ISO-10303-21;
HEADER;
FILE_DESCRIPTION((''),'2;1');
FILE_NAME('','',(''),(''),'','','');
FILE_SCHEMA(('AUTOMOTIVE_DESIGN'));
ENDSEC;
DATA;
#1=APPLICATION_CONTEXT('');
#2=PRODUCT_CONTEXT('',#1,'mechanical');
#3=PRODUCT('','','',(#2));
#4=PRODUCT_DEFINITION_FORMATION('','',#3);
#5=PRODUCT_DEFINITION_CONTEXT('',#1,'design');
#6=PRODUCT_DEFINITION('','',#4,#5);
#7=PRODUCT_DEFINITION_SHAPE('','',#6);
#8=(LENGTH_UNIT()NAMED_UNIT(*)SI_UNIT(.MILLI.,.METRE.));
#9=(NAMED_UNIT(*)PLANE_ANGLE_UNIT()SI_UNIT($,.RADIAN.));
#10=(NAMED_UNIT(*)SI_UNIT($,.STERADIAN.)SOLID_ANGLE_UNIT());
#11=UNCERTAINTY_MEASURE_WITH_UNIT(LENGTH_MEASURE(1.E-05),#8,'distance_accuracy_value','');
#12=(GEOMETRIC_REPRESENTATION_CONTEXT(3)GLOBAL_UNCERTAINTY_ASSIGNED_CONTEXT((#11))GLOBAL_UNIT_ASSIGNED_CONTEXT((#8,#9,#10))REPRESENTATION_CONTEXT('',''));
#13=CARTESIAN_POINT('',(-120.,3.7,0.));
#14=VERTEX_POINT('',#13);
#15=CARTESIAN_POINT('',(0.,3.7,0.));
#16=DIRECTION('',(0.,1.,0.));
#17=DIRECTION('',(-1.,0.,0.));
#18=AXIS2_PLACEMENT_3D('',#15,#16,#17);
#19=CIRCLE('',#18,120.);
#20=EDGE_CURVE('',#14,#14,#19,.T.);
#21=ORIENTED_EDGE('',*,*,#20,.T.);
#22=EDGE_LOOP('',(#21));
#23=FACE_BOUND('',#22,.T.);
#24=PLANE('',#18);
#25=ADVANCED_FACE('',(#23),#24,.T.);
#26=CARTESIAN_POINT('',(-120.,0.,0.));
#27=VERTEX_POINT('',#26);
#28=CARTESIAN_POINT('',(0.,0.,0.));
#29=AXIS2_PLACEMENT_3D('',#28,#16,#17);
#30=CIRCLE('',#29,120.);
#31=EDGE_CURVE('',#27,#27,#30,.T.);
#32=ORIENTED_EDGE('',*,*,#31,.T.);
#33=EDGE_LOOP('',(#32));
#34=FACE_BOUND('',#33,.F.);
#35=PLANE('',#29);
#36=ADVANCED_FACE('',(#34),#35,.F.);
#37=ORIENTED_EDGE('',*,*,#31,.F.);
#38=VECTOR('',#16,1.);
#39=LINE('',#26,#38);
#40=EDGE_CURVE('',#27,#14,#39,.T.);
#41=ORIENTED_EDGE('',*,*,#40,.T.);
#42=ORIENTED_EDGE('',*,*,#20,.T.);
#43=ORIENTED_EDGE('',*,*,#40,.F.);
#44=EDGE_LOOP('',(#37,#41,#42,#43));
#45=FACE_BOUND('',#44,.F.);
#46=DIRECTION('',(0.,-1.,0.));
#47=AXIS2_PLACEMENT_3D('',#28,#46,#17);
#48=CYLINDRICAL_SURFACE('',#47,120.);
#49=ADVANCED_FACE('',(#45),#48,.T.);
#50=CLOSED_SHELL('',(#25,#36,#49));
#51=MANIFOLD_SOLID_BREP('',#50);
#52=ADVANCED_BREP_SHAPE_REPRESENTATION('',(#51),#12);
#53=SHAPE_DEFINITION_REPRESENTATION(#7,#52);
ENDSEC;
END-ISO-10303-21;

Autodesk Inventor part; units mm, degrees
ref_plane "YZ Plane" through (0, 0, 0) normal (1, 0, 0) x (0, 1, 0)
ref_plane "XZ Plane" through (0, 0, 0) normal (0, 1, 0) x (-1, 0, 0)
ref_plane "XY Plane" through (0, 0, 0) normal (0, 0, 1) x (1, 0, 0)
sketch "Sketch1" plane through (0, 0, 0) normal (0, 1, 0) x (-1, 0, 0)
  circle A0 centre (0, 0) radius 120
  dimension "d0" = 240
extrude "Extrusion1" add sketch "Sketch1" along normal blind 3.7
properties part number "Antireflective Glass"
